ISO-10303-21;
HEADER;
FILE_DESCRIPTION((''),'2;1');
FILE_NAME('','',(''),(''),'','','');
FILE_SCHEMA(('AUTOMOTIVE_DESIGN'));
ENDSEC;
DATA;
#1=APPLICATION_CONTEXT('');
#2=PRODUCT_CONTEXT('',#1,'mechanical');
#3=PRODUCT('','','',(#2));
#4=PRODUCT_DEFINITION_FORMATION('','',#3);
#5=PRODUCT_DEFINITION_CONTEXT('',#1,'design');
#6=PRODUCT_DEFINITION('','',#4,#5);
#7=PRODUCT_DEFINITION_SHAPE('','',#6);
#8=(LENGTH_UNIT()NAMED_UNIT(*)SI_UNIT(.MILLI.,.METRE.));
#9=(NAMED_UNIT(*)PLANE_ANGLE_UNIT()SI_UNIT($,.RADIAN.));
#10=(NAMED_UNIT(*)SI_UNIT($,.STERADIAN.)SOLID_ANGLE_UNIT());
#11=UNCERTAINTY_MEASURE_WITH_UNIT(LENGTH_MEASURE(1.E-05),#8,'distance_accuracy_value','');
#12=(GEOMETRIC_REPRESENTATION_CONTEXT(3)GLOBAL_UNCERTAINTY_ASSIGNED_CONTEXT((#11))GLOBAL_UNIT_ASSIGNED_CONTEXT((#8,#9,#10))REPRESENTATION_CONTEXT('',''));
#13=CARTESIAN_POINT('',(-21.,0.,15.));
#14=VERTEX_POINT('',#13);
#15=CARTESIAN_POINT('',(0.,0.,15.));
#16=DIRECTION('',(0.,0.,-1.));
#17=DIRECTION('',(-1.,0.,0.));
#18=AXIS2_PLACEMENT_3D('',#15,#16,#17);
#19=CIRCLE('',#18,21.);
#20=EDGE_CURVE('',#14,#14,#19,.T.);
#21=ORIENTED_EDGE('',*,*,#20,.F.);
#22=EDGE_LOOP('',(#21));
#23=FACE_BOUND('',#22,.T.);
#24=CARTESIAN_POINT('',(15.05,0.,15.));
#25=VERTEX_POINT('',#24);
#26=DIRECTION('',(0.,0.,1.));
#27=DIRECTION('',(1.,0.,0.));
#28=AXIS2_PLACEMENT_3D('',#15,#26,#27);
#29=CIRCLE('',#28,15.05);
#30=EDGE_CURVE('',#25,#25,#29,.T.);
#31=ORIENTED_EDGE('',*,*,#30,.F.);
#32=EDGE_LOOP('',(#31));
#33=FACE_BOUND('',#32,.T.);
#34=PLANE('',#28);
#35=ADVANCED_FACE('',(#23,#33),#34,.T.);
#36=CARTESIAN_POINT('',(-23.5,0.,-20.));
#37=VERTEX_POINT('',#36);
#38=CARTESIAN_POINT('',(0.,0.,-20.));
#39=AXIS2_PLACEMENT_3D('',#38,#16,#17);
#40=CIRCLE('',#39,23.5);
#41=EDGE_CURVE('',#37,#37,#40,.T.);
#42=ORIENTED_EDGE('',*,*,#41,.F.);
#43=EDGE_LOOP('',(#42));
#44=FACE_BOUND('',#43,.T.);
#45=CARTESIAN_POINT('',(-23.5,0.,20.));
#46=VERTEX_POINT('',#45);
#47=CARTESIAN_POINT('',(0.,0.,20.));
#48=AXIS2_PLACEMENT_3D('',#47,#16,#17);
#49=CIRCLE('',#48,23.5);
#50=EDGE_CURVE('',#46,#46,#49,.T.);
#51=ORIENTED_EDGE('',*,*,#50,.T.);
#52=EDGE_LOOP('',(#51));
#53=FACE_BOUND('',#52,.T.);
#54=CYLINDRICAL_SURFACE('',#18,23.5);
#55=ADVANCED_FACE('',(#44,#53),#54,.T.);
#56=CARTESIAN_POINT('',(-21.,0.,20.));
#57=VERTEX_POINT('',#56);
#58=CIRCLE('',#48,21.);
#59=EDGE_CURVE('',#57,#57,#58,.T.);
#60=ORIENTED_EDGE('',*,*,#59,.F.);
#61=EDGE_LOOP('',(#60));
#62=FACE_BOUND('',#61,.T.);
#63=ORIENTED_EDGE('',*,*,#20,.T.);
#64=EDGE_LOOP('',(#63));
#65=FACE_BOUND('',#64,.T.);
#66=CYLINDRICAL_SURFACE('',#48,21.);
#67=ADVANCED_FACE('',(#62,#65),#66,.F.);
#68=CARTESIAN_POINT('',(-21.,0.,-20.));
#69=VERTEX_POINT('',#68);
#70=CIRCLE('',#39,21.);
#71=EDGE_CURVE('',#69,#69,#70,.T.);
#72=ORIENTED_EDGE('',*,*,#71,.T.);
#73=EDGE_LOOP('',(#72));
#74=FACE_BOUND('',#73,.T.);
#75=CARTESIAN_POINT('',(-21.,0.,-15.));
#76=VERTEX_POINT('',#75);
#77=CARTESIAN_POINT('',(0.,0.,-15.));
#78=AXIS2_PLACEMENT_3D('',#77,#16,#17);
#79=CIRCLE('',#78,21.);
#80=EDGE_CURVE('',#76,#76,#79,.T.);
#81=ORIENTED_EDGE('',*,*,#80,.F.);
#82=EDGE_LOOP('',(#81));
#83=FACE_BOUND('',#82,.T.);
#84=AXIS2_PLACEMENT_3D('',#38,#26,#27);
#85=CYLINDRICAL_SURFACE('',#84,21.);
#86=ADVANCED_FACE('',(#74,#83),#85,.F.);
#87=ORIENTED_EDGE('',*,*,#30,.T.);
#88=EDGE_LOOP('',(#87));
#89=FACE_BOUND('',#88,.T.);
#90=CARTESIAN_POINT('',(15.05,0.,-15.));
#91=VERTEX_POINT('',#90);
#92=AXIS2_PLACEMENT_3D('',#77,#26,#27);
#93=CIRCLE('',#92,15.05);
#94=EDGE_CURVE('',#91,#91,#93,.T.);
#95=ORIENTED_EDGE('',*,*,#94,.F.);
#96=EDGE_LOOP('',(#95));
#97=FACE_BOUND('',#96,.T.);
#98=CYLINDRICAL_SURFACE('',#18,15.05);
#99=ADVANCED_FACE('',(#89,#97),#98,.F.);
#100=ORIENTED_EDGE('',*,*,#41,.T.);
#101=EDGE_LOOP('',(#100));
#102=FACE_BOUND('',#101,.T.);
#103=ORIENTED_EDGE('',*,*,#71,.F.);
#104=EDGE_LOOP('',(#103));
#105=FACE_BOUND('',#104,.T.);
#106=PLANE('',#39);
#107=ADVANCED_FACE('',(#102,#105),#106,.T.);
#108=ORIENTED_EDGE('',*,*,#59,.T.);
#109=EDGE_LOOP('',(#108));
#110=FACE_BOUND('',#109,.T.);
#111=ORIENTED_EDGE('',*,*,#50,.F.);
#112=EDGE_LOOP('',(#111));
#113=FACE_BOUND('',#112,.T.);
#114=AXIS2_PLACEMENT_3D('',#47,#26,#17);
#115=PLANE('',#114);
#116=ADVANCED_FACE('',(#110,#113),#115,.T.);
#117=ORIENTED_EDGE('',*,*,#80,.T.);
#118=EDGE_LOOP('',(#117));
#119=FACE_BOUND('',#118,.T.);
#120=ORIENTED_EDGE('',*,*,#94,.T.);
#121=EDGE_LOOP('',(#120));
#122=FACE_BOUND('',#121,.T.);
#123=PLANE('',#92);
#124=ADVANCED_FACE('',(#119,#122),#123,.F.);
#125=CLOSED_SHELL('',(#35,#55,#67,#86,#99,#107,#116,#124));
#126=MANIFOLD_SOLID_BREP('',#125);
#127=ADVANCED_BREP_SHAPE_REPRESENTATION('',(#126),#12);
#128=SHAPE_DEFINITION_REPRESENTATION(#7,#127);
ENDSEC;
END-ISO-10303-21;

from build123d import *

# Parameters (mm, degrees)
SKETCH1_R           = 23.5
SKETCH1_R_2         = 15.05
BOSS_EXTRUDE1_DEPTH = 15
SKETCH2_R           = 23.5
SKETCH2_R_2         = 21
BOSS_EXTRUDE2_DEPTH = 5


with BuildPart() as part:
    # Sketch1 → Boss-Extrude1 (new body, symmetric)
    with BuildSketch(Plane.XY):
        Circle(SKETCH1_R)
        Circle(SKETCH1_R_2, mode=Mode.SUBTRACT)
    extrude(amount=BOSS_EXTRUDE1_DEPTH, both=True)

    # Sketch2 → Boss-Extrude2 (add)
    with BuildSketch(Plane(origin=(0, 0, -15), x_dir=(-1, 0, 0), z_dir=(0, 0, -1))):
        Circle(SKETCH2_R)
        Circle(SKETCH2_R_2, mode=Mode.SUBTRACT)
    boss_extrude2 = extrude(amount=BOSS_EXTRUDE2_DEPTH)

    # Mirror1: Boss-Extrude2 across plane
    add(boss_extrude2.mirror(Plane.XY))


solid = part.part
